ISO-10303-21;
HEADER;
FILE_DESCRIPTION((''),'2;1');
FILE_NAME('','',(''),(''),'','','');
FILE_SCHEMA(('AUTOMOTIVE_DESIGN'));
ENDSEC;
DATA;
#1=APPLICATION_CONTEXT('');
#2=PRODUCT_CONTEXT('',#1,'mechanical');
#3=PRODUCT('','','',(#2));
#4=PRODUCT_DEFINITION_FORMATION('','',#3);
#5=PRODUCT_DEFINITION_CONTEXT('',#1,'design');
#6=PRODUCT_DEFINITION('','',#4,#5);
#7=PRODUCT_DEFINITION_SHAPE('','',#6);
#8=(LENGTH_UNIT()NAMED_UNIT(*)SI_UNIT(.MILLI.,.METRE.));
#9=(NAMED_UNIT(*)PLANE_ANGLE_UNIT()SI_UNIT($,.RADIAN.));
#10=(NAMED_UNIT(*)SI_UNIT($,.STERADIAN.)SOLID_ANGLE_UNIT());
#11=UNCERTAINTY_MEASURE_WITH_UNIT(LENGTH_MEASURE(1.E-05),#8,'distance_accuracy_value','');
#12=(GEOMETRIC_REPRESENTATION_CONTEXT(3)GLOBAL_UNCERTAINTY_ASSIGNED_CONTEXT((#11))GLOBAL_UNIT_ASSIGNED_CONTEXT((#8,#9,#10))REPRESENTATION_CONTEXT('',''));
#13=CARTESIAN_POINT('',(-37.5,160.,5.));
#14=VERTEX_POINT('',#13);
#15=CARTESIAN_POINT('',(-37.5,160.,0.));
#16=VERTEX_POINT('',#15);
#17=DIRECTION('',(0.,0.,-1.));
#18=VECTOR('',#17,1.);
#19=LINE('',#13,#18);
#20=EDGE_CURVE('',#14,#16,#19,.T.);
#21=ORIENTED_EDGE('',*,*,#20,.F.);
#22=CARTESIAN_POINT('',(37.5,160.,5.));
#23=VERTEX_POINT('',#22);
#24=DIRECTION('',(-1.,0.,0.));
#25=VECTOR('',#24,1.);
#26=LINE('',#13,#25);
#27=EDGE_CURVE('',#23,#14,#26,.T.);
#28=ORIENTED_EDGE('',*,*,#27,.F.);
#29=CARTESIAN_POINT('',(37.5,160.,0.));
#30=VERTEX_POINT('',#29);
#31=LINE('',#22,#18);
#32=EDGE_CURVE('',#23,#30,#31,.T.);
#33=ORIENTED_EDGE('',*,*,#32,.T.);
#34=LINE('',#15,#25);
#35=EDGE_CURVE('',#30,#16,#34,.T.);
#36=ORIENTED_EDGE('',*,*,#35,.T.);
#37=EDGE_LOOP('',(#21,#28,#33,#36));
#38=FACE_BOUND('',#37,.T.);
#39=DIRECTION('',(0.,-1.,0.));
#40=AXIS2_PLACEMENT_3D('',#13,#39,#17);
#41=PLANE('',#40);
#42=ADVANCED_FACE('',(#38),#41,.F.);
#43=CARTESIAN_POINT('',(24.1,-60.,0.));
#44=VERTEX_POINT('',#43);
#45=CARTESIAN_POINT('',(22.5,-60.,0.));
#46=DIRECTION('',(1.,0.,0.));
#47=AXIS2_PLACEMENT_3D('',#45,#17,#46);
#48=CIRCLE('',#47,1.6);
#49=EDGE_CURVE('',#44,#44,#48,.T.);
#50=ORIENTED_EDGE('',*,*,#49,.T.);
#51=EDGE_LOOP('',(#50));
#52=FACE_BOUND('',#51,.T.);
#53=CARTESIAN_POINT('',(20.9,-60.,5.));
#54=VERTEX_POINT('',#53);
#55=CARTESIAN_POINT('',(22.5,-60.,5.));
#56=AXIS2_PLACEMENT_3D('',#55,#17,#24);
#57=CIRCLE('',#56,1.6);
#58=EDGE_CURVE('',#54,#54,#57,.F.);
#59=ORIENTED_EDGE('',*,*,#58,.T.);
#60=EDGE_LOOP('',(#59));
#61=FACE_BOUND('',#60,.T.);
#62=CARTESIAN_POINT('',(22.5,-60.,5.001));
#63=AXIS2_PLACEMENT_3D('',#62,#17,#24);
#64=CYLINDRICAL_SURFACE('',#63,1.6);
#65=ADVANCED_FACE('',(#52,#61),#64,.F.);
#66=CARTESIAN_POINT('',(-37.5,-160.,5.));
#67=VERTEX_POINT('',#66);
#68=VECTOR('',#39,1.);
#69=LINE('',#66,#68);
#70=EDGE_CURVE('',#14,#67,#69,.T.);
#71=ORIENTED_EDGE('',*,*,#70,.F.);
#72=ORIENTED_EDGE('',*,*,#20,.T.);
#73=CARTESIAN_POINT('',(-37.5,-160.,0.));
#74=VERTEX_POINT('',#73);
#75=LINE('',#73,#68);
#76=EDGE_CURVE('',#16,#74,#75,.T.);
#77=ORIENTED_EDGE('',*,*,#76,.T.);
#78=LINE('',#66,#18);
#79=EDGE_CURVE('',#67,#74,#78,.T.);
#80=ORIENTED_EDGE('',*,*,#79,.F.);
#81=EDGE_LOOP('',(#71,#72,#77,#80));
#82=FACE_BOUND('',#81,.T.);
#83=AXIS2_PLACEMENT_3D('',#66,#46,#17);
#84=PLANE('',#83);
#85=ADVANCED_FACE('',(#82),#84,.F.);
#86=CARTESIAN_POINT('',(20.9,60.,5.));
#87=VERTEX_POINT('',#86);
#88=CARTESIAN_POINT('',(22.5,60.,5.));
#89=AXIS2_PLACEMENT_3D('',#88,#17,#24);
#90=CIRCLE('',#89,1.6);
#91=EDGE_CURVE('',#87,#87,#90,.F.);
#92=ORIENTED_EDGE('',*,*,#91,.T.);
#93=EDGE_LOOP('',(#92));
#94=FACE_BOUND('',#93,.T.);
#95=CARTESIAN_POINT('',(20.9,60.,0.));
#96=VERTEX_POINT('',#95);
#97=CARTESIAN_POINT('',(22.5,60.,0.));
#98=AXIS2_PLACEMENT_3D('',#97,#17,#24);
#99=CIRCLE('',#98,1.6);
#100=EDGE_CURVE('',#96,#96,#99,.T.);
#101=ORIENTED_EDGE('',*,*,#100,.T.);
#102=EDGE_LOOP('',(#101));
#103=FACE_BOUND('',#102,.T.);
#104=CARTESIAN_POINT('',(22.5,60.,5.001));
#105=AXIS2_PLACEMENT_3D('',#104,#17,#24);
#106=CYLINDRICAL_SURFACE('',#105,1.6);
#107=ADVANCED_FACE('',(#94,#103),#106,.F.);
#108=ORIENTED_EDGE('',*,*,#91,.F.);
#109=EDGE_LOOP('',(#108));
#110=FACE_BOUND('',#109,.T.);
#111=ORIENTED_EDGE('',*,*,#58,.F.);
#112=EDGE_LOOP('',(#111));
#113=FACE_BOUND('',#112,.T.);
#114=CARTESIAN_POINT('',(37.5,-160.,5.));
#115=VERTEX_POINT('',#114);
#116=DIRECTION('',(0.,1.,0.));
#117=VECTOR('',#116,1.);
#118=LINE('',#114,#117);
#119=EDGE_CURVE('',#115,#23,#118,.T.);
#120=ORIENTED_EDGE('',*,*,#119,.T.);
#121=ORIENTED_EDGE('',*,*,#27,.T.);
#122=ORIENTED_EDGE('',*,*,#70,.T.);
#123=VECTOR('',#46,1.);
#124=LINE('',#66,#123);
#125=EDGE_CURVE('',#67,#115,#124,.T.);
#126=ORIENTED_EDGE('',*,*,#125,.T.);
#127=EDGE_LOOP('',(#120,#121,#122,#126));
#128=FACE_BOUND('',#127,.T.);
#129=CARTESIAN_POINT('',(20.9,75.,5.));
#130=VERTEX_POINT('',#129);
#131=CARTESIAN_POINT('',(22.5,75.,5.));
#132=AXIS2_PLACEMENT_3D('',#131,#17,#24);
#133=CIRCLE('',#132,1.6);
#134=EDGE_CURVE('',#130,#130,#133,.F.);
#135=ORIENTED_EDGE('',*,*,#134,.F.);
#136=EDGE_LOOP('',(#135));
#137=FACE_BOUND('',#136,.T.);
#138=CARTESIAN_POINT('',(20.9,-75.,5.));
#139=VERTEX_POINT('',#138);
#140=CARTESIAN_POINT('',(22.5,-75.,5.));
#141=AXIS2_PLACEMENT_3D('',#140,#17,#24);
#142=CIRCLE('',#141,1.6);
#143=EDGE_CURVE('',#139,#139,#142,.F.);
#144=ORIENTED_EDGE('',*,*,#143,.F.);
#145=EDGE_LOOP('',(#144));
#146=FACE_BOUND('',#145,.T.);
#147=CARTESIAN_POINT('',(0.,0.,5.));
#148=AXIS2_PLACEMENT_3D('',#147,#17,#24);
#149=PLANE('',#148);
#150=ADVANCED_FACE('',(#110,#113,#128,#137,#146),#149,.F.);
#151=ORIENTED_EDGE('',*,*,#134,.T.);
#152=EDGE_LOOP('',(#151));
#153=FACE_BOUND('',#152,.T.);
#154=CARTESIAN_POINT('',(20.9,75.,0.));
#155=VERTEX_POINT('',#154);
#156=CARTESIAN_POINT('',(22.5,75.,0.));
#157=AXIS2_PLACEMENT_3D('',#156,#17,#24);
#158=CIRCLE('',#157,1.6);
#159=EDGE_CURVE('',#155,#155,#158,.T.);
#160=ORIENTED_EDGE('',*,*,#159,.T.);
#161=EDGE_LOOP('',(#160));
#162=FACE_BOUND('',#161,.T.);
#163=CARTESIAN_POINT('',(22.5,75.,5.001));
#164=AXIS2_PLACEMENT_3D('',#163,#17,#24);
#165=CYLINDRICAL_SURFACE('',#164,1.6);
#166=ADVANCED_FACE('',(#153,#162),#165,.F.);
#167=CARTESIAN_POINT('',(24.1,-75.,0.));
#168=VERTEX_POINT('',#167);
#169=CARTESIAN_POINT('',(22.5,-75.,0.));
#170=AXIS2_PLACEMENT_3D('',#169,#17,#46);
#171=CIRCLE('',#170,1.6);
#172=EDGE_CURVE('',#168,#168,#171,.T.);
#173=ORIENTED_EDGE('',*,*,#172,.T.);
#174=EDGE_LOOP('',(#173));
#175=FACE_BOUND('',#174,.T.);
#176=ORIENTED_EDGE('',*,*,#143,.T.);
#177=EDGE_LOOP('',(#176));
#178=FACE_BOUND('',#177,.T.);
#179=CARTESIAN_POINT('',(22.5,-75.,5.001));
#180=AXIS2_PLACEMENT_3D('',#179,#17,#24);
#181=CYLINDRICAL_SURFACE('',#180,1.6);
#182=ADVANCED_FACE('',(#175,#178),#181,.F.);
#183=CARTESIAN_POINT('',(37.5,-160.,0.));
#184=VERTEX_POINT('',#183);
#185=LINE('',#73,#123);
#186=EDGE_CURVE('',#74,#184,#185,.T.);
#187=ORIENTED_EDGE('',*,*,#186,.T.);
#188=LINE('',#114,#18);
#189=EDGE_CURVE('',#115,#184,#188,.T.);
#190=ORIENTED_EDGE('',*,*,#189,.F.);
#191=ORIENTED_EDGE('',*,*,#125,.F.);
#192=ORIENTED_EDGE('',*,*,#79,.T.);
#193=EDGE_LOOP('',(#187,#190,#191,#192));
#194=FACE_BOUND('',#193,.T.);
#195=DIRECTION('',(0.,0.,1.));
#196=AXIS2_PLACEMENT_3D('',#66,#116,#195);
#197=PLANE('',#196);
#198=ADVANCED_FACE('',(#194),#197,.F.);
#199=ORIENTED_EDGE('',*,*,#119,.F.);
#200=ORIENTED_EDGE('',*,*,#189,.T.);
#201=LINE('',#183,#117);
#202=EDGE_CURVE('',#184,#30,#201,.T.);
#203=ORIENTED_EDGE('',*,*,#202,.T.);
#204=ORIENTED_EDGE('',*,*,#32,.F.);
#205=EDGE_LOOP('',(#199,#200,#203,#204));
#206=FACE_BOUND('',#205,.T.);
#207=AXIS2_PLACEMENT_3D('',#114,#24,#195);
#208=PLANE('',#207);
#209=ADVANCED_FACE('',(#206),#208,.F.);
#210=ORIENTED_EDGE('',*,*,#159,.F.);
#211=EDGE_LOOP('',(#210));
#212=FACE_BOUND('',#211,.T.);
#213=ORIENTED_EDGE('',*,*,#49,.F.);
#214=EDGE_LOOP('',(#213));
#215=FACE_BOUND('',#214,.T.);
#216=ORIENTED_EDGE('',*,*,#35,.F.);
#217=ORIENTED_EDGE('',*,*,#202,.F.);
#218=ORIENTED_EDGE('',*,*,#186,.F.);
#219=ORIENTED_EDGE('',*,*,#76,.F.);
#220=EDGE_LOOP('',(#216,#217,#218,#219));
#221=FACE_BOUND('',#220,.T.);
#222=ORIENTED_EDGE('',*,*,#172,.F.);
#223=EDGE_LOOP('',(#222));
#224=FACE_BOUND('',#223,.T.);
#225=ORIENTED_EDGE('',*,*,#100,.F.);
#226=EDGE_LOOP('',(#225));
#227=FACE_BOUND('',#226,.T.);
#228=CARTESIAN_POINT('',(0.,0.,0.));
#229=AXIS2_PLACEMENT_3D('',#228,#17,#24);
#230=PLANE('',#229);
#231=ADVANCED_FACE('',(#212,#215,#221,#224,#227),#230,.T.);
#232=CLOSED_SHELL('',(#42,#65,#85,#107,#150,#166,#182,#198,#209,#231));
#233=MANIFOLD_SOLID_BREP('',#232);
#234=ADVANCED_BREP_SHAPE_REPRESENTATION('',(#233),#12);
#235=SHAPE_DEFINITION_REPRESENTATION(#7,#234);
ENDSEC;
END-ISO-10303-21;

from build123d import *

# Parameters (mm, degrees)
SKETCH1_W           = 75
SKETCH1_H           = 320
BOSS_EXTRUDE1_DEPTH = 5
CUT_EXTRUDE1_REACH  = 7
SKETCH2_R           = 1.6


with BuildPart() as part:
    # Sketch1 → Boss-Extrude1 (new body)
    with BuildSketch(Plane.XY):
        Rectangle(SKETCH1_W, SKETCH1_H)
    extrude(amount=BOSS_EXTRUDE1_DEPTH)

    # Sketch2 → Cut-Extrude1 (cut, up to next)
    with BuildSketch(Plane(origin=(0, 0, 0), x_dir=(-1, 0, 0), z_dir=(0, 0, -1)), mode=Mode.PRIVATE) as cut_extrude1_sk1:
        with Locations((-22.5, 75)):
            Circle(SKETCH2_R)
    cut_extrude1_tool1 = extrude(cut_extrude1_sk1.sketch, amount=-CUT_EXTRUDE1_REACH, mode=Mode.PRIVATE) & part.part
    add(cut_extrude1_tool1.solids().sort_by_distance((22.5, 75, 0))[0], mode=Mode.SUBTRACT)
    # Sketch2 → Cut-Extrude1 (cut, up to next)
    with BuildSketch(Plane(origin=(0, 0, 0), x_dir=(-1, 0, 0), z_dir=(0, 0, -1)), mode=Mode.PRIVATE) as cut_extrude1_sk2:
        with Locations((-22.5, 60)):
            Circle(SKETCH2_R)
    cut_extrude1_tool2 = extrude(cut_extrude1_sk2.sketch, amount=-CUT_EXTRUDE1_REACH, mode=Mode.PRIVATE) & part.part
    add(cut_extrude1_tool2.solids().sort_by_distance((22.5, 60, 0))[0], mode=Mode.SUBTRACT)
    # Sketch2 → Cut-Extrude1 (cut, up to next)
    with BuildSketch(Plane(origin=(0, 0, 0), x_dir=(-1, 0, 0), z_dir=(0, 0, -1)), mode=Mode.PRIVATE) as cut_extrude1_sk3:
        with Locations((-22.5, -60)):
            Circle(SKETCH2_R)
    cut_extrude1_tool3 = extrude(cut_extrude1_sk3.sketch, amount=-CUT_EXTRUDE1_REACH, mode=Mode.PRIVATE) & part.part
    add(cut_extrude1_tool3.solids().sort_by_distance((22.5, -60, 0))[0], mode=Mode.SUBTRACT)
    # Sketch2 → Cut-Extrude1 (cut, up to next)
    with BuildSketch(Plane(origin=(0, 0, 0), x_dir=(-1, 0, 0), z_dir=(0, 0, -1)), mode=Mode.PRIVATE) as cut_extrude1_sk4:
        with Locations((-22.5, -75)):
            Circle(SKETCH2_R)
    cut_extrude1_tool4 = extrude(cut_extrude1_sk4.sketch, amount=-CUT_EXTRUDE1_REACH, mode=Mode.PRIVATE) & part.part
    add(cut_extrude1_tool4.solids().sort_by_distance((22.5, -75, 0))[0], mode=Mode.SUBTRACT)


solid = part.part
